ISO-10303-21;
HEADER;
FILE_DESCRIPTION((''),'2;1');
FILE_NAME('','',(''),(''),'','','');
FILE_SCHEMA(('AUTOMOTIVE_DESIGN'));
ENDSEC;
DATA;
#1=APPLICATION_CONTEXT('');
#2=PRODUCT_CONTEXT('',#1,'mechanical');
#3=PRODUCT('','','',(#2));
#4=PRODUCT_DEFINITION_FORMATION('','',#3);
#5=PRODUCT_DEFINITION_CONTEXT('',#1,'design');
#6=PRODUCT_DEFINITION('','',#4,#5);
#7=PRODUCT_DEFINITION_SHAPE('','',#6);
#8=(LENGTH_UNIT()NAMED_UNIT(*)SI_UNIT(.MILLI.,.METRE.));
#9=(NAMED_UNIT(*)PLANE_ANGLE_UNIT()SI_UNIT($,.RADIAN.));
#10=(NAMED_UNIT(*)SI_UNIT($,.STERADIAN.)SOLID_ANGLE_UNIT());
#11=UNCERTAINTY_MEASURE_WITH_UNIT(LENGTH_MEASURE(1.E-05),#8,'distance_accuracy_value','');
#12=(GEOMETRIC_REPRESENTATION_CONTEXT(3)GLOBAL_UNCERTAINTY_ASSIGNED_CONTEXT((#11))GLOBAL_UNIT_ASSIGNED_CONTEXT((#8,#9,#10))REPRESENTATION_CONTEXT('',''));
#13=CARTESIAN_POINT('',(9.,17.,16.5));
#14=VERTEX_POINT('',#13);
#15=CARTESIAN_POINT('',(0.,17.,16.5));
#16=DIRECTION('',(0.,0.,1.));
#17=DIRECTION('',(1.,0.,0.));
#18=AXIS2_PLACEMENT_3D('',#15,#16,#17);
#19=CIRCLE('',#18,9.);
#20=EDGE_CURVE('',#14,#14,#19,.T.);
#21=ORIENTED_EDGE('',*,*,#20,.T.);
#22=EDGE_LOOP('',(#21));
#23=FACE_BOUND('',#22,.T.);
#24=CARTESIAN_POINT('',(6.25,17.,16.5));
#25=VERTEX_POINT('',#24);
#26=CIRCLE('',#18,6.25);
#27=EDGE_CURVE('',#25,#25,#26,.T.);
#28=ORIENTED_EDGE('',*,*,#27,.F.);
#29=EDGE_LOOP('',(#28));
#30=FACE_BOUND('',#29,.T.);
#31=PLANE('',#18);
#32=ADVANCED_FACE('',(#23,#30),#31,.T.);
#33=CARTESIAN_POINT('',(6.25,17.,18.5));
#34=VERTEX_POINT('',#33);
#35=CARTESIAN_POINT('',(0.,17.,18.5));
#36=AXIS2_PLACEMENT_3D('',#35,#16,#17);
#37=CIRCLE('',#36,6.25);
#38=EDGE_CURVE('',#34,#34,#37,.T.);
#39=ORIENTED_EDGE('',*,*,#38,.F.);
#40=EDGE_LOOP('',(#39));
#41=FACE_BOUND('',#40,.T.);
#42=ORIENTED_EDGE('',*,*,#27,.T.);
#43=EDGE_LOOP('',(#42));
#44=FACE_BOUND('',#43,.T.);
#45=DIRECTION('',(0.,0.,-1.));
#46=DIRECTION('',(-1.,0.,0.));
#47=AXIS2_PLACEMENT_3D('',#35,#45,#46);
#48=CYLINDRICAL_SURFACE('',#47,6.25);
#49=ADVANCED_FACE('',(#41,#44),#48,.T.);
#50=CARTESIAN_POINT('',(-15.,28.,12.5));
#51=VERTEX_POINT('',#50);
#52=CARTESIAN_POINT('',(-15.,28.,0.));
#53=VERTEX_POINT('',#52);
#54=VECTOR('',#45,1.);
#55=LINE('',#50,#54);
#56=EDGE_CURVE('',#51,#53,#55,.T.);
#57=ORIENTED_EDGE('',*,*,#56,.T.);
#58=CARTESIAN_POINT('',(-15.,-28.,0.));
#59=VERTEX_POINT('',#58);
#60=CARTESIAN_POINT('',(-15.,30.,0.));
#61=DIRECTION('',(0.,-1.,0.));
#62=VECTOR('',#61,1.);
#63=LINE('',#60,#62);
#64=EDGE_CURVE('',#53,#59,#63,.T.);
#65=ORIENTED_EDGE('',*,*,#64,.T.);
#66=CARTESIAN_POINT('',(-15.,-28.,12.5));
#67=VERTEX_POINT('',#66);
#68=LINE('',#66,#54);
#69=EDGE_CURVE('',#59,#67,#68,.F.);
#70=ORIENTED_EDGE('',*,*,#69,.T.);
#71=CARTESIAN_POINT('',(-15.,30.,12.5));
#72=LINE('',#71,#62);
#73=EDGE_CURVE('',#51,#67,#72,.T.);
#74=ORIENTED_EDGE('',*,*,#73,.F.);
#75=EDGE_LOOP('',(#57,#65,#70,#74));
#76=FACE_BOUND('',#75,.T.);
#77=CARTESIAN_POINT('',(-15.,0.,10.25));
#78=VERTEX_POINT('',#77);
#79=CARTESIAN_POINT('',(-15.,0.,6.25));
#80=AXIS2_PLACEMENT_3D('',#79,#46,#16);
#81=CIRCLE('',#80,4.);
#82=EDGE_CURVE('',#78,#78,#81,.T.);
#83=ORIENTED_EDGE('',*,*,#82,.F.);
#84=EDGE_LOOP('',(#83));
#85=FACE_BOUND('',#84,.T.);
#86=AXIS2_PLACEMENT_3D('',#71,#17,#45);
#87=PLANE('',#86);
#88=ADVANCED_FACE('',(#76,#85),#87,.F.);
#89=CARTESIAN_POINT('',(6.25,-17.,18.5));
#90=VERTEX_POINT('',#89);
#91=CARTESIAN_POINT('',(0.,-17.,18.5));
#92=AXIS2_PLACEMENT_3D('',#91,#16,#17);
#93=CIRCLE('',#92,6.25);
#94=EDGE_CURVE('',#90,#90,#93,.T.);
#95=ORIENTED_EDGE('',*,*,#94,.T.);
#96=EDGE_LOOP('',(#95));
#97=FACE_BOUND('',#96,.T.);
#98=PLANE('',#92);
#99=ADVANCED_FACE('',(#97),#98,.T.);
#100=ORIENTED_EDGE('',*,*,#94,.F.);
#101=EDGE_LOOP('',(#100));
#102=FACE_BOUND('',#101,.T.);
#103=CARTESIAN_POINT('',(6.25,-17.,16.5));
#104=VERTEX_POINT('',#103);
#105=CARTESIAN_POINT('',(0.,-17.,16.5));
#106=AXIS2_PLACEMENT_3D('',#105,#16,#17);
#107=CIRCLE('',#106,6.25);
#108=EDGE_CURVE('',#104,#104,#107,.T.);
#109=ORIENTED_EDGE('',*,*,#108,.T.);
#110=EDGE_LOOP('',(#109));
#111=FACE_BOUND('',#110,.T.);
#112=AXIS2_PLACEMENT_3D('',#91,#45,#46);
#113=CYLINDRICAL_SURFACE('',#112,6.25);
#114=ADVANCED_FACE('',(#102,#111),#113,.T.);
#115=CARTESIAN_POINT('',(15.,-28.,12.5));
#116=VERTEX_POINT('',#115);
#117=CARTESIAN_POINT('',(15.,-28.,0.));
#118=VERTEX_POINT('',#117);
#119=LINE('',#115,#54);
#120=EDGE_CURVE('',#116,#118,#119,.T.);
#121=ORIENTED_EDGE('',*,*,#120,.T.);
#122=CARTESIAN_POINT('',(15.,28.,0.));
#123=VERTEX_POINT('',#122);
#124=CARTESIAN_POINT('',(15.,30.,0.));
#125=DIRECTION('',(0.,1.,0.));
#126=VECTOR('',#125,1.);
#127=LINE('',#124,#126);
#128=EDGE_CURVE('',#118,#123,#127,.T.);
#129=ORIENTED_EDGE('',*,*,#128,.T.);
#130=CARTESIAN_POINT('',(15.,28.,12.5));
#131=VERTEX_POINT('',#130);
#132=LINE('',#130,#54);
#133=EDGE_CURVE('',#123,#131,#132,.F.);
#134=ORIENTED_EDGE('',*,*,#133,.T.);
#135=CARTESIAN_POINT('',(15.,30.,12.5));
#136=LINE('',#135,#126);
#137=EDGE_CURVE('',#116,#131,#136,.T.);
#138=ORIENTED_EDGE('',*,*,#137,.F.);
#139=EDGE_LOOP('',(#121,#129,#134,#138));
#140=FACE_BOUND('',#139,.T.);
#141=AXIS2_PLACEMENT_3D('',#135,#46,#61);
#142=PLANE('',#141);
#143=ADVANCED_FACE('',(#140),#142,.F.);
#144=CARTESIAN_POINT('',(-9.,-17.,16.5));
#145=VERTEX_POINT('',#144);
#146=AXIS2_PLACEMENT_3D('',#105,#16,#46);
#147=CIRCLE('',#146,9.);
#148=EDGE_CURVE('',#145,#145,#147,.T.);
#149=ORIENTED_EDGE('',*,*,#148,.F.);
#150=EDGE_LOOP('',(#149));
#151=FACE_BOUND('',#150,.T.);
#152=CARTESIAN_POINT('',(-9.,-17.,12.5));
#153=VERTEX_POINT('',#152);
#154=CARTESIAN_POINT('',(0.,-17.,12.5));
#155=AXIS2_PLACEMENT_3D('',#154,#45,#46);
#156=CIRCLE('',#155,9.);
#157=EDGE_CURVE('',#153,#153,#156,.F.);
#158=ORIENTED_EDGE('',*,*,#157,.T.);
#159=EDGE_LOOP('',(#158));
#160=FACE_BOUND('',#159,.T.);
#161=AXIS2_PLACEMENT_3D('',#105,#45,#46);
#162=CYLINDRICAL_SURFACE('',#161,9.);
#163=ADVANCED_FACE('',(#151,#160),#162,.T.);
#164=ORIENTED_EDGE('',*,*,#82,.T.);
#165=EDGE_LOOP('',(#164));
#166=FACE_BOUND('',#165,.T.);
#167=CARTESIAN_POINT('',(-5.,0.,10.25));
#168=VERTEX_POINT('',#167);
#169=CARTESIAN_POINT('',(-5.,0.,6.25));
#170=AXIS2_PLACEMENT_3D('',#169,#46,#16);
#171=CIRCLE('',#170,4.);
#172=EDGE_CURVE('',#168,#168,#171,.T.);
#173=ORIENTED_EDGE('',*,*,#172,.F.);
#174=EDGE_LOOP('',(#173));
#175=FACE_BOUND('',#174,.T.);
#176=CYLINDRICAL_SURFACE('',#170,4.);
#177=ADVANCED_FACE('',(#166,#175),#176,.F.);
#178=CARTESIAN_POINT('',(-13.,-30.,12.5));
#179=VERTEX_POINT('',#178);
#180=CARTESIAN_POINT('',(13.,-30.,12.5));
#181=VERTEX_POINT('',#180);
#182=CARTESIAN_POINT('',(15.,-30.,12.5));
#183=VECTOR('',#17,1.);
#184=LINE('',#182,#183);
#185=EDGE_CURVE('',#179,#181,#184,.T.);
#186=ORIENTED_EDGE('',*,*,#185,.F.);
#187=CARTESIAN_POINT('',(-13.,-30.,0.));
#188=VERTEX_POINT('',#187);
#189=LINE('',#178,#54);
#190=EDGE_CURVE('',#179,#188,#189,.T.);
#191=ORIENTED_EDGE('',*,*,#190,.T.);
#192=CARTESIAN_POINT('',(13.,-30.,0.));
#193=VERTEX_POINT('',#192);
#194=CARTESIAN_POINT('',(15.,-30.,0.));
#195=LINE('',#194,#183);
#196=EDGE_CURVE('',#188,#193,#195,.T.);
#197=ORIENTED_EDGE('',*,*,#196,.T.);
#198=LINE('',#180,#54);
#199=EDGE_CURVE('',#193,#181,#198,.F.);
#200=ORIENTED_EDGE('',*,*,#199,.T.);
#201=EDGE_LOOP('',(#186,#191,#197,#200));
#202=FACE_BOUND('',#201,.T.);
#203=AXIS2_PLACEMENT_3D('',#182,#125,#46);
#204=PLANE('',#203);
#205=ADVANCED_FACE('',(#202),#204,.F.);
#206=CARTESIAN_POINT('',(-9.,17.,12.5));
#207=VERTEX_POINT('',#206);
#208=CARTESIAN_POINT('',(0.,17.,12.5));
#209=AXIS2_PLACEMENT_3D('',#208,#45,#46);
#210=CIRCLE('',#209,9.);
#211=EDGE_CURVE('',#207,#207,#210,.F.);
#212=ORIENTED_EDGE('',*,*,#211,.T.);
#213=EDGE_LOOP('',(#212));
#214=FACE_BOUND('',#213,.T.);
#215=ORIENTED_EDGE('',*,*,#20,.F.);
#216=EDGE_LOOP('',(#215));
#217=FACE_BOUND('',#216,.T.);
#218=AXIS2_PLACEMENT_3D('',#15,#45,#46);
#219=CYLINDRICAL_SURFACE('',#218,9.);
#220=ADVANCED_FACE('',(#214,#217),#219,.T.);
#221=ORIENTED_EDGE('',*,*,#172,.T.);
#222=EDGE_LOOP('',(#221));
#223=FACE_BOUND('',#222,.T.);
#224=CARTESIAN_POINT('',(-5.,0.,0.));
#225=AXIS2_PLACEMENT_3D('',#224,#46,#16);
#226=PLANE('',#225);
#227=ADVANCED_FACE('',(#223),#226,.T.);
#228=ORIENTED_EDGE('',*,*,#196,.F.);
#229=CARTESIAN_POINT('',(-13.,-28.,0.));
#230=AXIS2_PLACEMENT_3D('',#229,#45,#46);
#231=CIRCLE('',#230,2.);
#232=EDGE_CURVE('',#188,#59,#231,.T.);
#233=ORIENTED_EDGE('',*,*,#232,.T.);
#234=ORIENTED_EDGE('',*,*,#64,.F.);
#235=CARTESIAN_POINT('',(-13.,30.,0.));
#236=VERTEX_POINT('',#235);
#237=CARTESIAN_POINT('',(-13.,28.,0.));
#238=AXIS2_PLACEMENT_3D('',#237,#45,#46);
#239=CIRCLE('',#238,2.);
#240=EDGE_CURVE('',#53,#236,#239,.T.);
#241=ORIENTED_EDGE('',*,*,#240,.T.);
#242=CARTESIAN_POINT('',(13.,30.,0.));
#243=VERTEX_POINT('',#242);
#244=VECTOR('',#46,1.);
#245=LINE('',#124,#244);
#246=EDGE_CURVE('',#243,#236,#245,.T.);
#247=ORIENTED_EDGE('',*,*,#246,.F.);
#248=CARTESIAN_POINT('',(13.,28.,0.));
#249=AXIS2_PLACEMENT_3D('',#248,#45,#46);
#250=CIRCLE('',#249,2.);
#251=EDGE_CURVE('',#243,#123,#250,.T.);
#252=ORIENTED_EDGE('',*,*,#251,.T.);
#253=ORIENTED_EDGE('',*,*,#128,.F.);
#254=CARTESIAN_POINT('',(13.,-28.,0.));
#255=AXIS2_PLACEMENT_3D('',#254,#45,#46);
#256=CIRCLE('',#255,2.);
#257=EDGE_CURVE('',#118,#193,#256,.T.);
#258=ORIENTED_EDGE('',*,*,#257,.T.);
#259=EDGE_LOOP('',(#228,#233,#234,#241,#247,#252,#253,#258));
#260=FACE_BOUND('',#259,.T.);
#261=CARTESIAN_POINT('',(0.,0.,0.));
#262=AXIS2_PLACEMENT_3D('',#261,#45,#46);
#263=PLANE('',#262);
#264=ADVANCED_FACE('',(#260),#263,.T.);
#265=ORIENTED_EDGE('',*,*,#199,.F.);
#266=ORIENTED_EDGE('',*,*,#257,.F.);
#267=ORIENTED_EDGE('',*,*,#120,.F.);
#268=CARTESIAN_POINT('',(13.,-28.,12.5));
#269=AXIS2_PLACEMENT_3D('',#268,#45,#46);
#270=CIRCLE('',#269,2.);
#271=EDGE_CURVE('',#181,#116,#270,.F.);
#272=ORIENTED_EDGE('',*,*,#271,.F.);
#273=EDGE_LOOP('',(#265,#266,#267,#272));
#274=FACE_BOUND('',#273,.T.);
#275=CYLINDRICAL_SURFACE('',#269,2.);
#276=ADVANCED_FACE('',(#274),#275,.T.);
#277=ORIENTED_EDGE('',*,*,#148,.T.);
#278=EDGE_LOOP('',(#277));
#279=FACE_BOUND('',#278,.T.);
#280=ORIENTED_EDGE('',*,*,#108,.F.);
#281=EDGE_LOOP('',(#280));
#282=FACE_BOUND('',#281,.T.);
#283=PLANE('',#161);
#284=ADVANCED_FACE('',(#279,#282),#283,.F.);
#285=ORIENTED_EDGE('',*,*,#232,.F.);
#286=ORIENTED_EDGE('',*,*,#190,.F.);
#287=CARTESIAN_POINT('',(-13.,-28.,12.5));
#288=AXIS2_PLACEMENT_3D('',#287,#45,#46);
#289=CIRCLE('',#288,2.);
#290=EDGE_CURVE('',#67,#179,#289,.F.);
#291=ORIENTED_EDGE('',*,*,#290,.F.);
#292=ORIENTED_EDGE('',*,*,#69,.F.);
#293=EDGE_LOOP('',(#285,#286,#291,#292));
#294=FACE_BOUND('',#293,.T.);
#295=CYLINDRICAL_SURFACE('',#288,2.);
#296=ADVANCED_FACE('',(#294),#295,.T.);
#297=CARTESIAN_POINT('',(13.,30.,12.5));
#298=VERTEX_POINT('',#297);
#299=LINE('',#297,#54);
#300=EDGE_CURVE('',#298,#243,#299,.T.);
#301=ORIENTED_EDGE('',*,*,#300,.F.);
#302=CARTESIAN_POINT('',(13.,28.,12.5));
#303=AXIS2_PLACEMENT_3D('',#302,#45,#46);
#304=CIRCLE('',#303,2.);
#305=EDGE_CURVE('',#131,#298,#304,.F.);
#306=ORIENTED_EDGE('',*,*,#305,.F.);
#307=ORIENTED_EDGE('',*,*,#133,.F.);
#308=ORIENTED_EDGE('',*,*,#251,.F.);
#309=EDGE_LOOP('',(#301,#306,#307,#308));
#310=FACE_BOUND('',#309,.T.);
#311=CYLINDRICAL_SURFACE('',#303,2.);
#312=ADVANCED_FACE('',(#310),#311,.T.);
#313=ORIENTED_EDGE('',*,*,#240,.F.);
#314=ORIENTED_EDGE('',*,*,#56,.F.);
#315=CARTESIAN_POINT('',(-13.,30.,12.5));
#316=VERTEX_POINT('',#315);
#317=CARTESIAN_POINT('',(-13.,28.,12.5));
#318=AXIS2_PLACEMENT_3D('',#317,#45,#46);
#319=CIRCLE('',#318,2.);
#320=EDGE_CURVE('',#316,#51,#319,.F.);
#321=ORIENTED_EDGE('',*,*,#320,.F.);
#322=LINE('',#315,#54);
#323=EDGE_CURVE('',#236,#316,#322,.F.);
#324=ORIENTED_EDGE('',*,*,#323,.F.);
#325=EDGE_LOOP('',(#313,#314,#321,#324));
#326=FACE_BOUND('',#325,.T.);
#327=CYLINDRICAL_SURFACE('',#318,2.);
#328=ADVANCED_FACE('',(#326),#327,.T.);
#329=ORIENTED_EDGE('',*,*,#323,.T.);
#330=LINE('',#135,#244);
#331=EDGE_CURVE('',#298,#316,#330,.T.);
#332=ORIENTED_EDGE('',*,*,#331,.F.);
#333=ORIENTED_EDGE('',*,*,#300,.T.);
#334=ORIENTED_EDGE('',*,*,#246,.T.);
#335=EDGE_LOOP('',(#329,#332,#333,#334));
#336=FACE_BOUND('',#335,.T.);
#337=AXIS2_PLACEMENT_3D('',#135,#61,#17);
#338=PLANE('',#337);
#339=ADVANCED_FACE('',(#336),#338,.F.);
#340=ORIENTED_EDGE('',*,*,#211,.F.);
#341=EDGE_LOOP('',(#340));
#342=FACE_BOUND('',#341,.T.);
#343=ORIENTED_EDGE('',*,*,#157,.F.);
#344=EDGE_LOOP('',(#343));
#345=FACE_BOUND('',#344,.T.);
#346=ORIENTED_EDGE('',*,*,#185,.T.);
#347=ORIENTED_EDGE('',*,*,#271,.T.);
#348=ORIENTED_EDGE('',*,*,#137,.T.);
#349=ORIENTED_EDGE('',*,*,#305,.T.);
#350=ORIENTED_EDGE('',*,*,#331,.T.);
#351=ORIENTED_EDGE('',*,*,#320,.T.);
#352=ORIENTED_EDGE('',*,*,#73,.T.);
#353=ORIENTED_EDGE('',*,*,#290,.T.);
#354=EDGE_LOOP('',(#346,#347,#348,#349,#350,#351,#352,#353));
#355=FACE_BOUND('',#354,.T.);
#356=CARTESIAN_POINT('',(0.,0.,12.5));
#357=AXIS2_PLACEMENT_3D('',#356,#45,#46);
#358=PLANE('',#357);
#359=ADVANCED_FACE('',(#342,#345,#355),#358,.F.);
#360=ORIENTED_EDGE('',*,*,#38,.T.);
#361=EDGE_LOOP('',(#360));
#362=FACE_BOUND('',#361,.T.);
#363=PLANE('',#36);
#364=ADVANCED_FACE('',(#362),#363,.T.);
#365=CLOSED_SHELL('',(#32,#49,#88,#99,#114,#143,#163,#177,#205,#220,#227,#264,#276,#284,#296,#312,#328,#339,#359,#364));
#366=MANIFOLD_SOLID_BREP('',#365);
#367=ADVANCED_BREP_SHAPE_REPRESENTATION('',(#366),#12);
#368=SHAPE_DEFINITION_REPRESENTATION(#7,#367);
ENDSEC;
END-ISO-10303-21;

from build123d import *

# Parameters (mm, degrees)
SKETCH_1_W          = 30
SKETCH_1_H          = 60
EXTRUDE_1_DEPTH     = 12.5
SKETCH_2_R          = 9
EXTRUDE_2_DEPTH     = 4
SKETCH_3_R          = 6.25
EXTRUDE_3_DEPTH     = 2
FILLET_1_R          = 2
CUT_EXTRUDE_1_DEPTH = 10


with BuildPart() as part:
    # 草图1 → 凸台-拉伸1 (new body)
    with BuildSketch(Plane.XY):
        Rectangle(SKETCH_1_W, SKETCH_1_H)
    extrude(amount=EXTRUDE_1_DEPTH)

    # 草图2 → 凸台-拉伸2 (add)
    with BuildSketch(Plane.XY.offset(12.5)):
        with Locations(Location((0, 17, 0), (0, 0, 180))):
            Circle(SKETCH_2_R)
        with Locations(Location((0, -17, 0), (0, 0, 180))):
            Circle(SKETCH_2_R)
    extrude(amount=EXTRUDE_2_DEPTH)

    # 草图3 → 凸台-拉伸3 (add)
    with BuildSketch(Plane.XY.offset(16.5)):
        with Locations((0, 17)):
            Circle(SKETCH_3_R)
        with Locations((0, -17)):
            Circle(SKETCH_3_R)
    extrude(amount=EXTRUDE_3_DEPTH)

    # 圆角1
    fillet_1_edges = [part.edges().sort_by_distance(p)[0] for p in [
        (15, -30, 6.25),
        (-15, -30, 6.25),
        (-15, 30, 6.25),
        (15, 30, 6.25),
    ]]
    fillet(fillet_1_edges, radius=FILLET_1_R)

    # 草图4 → 切除-拉伸1 (cut)
    with BuildSketch(Plane.ZY.offset(15)):
        with BuildLine():
            ThreePointArc((10.25, 0), (8.751434736, 3.12134975), (5.37858787, 3.903926344))
            Line((5.37858787, 3.903926344), (6.25, 0))
            Line((6.25, 0), (10.25, 0))
        make_face()
        with BuildLine():
            Line((6.25, 0), (5.37858787, 3.903926344))
            ThreePointArc((5.37858787, 3.903926344), (3.12865025, 2.501434736), (2.25, 0))
            Line((2.25, 0), (6.25, 0))
        make_face()
        with BuildLine():
            Line((10.25, 0), (6.25, 0))
            Line((6.25, 0), (7.12141213, -3.903926344))
            ThreePointArc((7.12141213, -3.903926344), (9.37134975, -2.501434736), (10.25, 0))
        make_face()
        with BuildLine():
            Line((7.12141213, -3.903926344), (6.25, 0))
            Line((6.25, 0), (2.25, 0))
            ThreePointArc((2.25, 0), (3.748565264, -3.12134975), (7.12141213, -3.903926344))
        make_face()
    extrude(amount=-CUT_EXTRUDE_1_DEPTH, mode=Mode.SUBTRACT)


solid = part.part
